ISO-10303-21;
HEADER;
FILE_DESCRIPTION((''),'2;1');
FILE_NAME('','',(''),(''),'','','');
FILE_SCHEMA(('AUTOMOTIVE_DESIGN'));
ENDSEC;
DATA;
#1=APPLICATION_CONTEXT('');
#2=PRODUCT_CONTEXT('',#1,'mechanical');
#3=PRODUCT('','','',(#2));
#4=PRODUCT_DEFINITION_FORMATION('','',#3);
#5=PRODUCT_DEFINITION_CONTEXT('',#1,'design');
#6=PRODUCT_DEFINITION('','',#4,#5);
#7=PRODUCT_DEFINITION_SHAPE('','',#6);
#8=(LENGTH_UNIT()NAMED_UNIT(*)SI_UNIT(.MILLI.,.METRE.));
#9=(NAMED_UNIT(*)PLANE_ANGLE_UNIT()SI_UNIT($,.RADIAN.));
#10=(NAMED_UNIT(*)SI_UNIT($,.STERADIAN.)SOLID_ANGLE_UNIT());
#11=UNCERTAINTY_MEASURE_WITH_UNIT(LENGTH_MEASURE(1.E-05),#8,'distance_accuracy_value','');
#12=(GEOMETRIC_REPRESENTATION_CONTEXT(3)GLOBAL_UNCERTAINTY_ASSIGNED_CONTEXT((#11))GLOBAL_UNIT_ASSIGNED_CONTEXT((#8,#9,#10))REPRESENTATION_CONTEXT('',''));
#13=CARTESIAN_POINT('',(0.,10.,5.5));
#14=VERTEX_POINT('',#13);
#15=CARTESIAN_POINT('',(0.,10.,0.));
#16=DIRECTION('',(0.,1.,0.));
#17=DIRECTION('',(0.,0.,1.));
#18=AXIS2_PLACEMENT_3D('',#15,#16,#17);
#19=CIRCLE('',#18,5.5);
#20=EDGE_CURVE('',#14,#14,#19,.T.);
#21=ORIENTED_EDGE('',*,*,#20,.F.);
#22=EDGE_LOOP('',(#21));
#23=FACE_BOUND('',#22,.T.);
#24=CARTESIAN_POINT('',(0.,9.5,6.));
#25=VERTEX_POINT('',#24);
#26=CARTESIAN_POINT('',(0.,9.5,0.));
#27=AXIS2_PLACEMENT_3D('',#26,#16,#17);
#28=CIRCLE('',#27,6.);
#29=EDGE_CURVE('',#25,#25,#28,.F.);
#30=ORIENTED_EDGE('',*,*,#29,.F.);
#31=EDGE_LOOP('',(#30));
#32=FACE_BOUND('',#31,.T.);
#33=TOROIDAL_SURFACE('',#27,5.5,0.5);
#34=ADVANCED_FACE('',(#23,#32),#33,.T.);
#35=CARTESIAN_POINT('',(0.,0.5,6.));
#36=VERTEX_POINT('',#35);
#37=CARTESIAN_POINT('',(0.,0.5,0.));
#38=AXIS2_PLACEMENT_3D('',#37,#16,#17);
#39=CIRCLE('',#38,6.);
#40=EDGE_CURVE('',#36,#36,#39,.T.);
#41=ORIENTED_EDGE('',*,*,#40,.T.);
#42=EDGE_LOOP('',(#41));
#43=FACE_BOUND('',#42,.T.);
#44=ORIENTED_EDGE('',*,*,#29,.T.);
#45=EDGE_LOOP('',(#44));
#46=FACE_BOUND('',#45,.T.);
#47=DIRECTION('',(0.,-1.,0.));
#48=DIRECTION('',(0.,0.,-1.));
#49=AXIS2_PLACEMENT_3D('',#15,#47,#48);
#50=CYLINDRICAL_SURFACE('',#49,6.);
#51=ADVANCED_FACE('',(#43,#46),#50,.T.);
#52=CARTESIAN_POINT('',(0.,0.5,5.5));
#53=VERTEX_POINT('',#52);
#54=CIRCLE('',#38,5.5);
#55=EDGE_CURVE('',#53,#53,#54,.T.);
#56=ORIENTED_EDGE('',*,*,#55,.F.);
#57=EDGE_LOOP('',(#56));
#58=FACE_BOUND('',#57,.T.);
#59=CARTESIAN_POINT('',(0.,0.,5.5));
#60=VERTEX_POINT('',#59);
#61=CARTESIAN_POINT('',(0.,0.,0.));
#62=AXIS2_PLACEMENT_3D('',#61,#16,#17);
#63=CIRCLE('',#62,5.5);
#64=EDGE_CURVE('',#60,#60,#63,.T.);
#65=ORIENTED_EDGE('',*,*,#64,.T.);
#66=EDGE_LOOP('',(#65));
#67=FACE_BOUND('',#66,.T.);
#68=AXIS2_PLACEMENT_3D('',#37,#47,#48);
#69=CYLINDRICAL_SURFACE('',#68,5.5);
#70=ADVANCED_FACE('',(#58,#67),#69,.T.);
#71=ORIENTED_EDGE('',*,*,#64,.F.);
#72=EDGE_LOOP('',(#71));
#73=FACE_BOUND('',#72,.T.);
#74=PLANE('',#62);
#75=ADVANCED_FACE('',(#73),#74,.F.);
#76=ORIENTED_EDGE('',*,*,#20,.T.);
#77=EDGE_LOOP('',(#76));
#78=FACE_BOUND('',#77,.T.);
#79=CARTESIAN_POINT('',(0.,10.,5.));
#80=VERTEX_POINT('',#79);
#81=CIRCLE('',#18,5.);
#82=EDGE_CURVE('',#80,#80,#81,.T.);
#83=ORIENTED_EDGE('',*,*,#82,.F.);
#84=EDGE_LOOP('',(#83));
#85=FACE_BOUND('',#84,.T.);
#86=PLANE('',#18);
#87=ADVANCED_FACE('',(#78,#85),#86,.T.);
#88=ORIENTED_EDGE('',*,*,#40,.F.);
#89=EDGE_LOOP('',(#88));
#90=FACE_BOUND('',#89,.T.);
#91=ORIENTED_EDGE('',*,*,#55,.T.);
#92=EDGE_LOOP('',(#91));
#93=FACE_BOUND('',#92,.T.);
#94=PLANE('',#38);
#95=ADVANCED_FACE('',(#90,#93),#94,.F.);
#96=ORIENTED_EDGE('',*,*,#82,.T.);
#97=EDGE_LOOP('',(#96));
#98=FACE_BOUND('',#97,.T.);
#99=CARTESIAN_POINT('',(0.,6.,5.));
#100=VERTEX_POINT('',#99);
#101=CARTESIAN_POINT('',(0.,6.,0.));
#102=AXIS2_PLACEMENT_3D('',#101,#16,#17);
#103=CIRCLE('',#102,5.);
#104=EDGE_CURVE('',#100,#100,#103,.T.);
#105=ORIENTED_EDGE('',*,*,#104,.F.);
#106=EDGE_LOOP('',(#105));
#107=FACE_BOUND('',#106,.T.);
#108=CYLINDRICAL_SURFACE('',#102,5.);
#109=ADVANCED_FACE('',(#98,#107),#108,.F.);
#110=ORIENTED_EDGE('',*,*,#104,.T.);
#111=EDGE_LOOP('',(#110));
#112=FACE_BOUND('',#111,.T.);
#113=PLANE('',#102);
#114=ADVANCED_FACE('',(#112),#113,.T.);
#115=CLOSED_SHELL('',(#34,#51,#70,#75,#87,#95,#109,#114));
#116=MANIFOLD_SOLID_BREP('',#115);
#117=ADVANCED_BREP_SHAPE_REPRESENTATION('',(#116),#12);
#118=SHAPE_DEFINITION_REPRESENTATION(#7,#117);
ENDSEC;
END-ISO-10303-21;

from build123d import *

# Parameters (mm, degrees)
SKETCH1_R           = 6
BOSS_EXTRUDE1_DEPTH = 10
FILLET1_R           = 0.5
SKETCH2_OUTSIDE_W   = 17.94
SKETCH2_OUTSIDE_H   = 17.94
SKETCH2_OUTSIDE_R   = 5.5
CUT_EXTRUDE11_DEPTH = 0.5
SKETCH3_R           = 5
CUT_EXTRUDE12_DEPTH = 4


with BuildPart() as part:
    # Sketch1 → Boss-Extrude1 (new body)
    with BuildSketch(Plane(origin=(0, 0, 0), x_dir=(1, 0, 0), z_dir=(0, 1, 0))):
        Circle(SKETCH1_R)
    extrude(amount=BOSS_EXTRUDE1_DEPTH)

    # Fillet1
    fillet1_edges = [part.edges().sort_by_distance(p)[0] for p in [
        (-6, 10, 0),
    ]]
    fillet(fillet1_edges, radius=FILLET1_R)

    # Sketch2 outside → Cut-Extrude11 (cut)
    with BuildSketch(Plane(origin=(0, 0, 0), x_dir=(1, 0, 0), z_dir=(0, 1, 0))):
        Rectangle(SKETCH2_OUTSIDE_W, SKETCH2_OUTSIDE_H)
        Circle(SKETCH2_OUTSIDE_R, mode=Mode.SUBTRACT)
    extrude(amount=CUT_EXTRUDE11_DEPTH, mode=Mode.SUBTRACT)

    # Sketch3 → Cut-Extrude12 (cut)
    with BuildSketch(Plane(origin=(0, 10, 0), x_dir=(1, 0, 0), z_dir=(0, 1, 0))):
        Circle(SKETCH3_R)
    extrude(amount=-CUT_EXTRUDE12_DEPTH, mode=Mode.SUBTRACT)


solid = part.part
